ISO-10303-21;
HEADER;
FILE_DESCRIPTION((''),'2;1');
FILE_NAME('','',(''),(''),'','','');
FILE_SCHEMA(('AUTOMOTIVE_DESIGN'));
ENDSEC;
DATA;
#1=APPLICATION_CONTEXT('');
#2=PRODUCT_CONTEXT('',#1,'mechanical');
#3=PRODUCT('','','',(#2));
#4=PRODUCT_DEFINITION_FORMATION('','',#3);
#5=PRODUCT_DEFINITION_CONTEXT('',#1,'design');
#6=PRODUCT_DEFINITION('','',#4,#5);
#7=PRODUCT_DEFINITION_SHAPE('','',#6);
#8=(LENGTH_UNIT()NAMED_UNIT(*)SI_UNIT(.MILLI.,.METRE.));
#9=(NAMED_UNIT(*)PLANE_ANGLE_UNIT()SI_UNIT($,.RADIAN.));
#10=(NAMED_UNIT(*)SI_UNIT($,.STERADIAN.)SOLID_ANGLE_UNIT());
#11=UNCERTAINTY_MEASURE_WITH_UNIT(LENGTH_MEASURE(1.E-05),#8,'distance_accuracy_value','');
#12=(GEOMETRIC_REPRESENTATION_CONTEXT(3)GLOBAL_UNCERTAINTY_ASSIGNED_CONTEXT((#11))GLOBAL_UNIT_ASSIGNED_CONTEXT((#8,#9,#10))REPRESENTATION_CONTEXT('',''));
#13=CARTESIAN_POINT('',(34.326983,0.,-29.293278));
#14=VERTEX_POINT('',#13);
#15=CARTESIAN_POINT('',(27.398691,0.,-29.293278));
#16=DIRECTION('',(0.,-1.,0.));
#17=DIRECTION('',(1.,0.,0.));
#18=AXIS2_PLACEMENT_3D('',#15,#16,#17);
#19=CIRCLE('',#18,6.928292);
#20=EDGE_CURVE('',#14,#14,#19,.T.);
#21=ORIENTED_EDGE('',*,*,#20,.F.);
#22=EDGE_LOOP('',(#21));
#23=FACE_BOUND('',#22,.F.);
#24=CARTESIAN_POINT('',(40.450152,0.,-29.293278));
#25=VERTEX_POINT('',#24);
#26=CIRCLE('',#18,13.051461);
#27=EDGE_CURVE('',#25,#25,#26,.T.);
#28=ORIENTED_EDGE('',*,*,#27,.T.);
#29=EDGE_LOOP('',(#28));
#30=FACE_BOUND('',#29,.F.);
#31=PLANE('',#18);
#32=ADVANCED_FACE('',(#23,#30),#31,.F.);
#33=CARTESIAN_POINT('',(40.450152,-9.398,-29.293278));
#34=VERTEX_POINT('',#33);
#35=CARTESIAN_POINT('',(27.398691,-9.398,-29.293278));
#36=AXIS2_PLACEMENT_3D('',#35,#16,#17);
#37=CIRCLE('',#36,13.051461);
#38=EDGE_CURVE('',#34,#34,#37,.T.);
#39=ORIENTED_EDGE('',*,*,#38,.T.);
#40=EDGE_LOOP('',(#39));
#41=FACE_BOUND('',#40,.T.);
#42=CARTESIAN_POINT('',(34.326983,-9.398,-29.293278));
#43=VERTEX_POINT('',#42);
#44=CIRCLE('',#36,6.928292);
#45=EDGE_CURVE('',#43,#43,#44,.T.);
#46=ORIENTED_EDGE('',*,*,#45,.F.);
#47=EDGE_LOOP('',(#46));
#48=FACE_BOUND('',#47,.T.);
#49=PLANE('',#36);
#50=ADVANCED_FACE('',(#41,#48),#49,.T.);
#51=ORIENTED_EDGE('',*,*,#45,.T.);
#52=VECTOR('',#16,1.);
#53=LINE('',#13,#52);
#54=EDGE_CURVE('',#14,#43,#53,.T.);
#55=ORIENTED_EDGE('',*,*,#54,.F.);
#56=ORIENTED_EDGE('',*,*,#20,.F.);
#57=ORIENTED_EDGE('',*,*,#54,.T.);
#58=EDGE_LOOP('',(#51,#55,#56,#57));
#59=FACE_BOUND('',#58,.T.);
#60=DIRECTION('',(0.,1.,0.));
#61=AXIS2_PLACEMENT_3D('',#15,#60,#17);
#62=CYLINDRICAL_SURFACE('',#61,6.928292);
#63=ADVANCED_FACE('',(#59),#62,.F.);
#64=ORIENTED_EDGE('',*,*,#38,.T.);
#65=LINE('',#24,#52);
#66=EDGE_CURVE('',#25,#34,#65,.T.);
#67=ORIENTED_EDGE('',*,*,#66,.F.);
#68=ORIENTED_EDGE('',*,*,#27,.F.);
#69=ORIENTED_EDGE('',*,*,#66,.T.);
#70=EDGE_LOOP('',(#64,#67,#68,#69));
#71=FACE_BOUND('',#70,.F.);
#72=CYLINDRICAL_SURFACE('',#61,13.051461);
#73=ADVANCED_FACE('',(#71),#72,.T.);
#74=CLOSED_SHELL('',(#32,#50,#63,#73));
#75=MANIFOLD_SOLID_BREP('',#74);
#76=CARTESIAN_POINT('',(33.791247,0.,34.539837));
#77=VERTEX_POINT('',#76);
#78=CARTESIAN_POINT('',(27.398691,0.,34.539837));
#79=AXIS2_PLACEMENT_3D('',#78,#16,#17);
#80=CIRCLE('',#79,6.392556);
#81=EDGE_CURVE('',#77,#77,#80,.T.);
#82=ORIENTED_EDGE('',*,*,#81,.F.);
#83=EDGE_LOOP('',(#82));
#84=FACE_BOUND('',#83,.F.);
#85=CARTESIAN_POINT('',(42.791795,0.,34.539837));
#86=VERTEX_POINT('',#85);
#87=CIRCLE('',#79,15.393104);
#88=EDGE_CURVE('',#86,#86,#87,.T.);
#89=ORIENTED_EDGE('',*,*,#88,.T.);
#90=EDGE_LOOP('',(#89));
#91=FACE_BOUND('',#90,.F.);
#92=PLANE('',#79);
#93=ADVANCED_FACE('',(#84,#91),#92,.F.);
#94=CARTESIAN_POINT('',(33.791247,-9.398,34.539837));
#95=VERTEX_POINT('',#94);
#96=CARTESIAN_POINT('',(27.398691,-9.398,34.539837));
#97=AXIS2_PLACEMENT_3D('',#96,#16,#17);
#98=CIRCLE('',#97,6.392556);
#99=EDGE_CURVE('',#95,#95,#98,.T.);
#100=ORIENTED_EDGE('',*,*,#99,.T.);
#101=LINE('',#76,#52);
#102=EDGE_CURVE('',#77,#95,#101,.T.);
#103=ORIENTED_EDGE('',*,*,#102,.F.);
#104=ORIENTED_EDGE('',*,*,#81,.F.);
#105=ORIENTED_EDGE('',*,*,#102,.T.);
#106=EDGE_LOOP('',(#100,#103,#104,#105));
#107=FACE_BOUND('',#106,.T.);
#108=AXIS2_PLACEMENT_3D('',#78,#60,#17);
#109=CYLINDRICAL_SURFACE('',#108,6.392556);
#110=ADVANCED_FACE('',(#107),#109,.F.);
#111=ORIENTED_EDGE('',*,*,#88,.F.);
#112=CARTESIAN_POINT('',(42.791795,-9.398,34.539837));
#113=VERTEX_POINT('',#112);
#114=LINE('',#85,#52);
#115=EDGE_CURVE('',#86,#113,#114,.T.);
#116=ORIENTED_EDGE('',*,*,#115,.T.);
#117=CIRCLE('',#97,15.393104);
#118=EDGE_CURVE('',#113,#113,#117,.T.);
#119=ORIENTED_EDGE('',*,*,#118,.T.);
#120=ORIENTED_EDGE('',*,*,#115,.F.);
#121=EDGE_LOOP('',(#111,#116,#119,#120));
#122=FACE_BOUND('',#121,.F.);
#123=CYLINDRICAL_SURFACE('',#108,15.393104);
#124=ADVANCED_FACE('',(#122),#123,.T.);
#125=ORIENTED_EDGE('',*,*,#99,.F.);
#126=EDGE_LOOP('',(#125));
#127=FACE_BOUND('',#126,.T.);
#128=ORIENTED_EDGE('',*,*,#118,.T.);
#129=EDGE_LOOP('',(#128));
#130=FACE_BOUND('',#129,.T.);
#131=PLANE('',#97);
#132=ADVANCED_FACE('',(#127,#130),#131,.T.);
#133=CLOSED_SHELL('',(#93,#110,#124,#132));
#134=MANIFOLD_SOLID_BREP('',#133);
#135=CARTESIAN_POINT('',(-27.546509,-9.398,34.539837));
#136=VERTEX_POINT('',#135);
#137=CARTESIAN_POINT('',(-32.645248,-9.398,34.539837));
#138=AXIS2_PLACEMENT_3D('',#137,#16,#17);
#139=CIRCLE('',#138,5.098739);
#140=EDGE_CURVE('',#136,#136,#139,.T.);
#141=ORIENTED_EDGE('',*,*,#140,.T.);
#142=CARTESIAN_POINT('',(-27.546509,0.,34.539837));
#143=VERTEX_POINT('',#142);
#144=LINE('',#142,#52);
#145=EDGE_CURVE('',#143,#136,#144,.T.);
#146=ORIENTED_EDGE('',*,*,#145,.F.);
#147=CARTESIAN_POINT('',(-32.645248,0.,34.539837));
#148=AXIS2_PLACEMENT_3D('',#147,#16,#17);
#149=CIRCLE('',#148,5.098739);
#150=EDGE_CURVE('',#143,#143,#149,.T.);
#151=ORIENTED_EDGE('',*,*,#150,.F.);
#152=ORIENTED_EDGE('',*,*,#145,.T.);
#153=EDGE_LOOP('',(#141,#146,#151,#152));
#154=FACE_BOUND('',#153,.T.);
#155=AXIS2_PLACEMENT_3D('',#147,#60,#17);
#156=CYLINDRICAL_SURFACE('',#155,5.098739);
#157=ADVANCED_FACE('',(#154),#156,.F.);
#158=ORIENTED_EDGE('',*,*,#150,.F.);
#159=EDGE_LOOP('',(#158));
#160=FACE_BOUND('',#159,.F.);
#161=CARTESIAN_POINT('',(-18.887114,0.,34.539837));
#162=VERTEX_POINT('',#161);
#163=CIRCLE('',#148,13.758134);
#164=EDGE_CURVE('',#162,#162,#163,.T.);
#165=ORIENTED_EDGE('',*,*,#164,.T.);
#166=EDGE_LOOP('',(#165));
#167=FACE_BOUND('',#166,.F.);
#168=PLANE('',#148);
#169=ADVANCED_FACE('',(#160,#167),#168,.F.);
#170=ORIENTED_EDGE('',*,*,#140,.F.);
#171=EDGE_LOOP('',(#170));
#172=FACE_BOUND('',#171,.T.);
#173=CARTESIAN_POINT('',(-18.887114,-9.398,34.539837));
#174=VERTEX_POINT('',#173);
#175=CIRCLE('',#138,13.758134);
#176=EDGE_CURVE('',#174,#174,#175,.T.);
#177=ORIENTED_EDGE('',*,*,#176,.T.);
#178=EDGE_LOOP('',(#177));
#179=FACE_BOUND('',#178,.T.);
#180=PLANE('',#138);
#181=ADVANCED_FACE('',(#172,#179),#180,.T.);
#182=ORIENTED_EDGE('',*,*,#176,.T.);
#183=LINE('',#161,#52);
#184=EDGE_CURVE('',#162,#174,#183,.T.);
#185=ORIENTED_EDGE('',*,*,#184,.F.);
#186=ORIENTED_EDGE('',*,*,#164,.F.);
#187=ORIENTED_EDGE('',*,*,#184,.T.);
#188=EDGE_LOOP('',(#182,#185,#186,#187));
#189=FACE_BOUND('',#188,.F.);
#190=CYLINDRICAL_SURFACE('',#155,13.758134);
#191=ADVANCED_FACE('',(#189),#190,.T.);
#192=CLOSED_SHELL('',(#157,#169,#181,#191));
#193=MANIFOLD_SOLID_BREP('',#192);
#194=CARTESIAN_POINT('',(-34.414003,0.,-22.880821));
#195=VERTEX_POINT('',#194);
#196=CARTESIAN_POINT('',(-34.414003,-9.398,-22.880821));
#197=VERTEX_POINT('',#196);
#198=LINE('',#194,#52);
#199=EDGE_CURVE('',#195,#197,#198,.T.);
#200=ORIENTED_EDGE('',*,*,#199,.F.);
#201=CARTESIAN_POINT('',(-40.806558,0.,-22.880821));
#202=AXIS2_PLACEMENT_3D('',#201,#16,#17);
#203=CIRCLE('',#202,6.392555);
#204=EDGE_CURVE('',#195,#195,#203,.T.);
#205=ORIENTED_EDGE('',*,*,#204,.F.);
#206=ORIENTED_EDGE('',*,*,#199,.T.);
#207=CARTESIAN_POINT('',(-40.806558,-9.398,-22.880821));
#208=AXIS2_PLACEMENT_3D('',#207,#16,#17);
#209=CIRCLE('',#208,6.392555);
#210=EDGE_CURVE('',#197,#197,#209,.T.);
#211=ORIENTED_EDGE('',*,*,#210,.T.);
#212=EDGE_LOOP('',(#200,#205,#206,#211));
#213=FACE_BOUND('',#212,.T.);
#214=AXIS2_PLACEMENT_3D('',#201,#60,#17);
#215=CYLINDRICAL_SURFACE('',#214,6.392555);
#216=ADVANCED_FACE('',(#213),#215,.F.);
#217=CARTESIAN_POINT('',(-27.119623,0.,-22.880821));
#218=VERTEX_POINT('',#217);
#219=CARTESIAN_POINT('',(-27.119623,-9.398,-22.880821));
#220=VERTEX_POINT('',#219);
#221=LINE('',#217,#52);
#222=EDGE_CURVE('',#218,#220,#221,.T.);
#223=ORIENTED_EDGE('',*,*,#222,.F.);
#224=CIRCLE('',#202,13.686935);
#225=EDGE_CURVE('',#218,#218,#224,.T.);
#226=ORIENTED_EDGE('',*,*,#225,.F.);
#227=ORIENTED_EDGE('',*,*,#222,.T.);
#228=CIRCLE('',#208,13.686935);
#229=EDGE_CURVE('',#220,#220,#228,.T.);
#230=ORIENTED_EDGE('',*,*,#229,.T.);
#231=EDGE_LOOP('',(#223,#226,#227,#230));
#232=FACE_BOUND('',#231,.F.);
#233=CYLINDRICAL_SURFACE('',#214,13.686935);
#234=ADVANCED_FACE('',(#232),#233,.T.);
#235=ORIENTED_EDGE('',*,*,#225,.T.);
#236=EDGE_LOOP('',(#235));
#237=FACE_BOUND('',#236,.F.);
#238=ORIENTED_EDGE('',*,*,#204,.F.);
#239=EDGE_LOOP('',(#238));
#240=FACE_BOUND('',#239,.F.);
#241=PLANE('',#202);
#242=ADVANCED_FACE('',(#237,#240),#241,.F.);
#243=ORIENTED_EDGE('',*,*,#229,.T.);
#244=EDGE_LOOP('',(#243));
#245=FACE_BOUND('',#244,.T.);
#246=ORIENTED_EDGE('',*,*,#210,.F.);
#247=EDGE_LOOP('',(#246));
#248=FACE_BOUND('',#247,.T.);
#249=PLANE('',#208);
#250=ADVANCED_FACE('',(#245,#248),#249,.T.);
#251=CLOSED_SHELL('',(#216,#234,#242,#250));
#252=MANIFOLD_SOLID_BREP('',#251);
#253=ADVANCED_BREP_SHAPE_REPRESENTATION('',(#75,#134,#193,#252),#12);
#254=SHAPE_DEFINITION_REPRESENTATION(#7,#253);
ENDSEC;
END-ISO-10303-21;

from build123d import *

# Parameters (mm, degrees)
F0_R     = 13.758134
F0_R_2   = 5.098739
F0_R_3   = 15.393104
F0_R_4   = 6.392556
F0_R_5   = 13.686935
F0_R_6   = 6.392555
F0_R_7   = 13.051461
F0_R_8   = 6.928292
F1_DEPTH = 9.398


with BuildPart() as f1:
    # F0 (on Front) → F1 (new body)
    with BuildSketch(Plane.XZ):
        with Locations((-32.645248, 34.539837)):
            Circle(F0_R)
        with Locations((-32.645248, 34.539837)):
            Circle(F0_R_2, mode=Mode.SUBTRACT)
        with Locations((27.398691, 34.539837)):
            Circle(F0_R_3)
        with Locations((27.398691, 34.539837)):
            Circle(F0_R_4, mode=Mode.SUBTRACT)
        with Locations((-40.806558, -22.880821)):
            Circle(F0_R_5)
        with Locations((-40.806558, -22.880821)):
            Circle(F0_R_6, mode=Mode.SUBTRACT)
        with Locations((27.398691, -29.293278)):
            Circle(F0_R_7)
        with Locations((27.398691, -29.293278)):
            Circle(F0_R_8, mode=Mode.SUBTRACT)
    extrude(amount=F1_DEPTH)


solid = f1.part
